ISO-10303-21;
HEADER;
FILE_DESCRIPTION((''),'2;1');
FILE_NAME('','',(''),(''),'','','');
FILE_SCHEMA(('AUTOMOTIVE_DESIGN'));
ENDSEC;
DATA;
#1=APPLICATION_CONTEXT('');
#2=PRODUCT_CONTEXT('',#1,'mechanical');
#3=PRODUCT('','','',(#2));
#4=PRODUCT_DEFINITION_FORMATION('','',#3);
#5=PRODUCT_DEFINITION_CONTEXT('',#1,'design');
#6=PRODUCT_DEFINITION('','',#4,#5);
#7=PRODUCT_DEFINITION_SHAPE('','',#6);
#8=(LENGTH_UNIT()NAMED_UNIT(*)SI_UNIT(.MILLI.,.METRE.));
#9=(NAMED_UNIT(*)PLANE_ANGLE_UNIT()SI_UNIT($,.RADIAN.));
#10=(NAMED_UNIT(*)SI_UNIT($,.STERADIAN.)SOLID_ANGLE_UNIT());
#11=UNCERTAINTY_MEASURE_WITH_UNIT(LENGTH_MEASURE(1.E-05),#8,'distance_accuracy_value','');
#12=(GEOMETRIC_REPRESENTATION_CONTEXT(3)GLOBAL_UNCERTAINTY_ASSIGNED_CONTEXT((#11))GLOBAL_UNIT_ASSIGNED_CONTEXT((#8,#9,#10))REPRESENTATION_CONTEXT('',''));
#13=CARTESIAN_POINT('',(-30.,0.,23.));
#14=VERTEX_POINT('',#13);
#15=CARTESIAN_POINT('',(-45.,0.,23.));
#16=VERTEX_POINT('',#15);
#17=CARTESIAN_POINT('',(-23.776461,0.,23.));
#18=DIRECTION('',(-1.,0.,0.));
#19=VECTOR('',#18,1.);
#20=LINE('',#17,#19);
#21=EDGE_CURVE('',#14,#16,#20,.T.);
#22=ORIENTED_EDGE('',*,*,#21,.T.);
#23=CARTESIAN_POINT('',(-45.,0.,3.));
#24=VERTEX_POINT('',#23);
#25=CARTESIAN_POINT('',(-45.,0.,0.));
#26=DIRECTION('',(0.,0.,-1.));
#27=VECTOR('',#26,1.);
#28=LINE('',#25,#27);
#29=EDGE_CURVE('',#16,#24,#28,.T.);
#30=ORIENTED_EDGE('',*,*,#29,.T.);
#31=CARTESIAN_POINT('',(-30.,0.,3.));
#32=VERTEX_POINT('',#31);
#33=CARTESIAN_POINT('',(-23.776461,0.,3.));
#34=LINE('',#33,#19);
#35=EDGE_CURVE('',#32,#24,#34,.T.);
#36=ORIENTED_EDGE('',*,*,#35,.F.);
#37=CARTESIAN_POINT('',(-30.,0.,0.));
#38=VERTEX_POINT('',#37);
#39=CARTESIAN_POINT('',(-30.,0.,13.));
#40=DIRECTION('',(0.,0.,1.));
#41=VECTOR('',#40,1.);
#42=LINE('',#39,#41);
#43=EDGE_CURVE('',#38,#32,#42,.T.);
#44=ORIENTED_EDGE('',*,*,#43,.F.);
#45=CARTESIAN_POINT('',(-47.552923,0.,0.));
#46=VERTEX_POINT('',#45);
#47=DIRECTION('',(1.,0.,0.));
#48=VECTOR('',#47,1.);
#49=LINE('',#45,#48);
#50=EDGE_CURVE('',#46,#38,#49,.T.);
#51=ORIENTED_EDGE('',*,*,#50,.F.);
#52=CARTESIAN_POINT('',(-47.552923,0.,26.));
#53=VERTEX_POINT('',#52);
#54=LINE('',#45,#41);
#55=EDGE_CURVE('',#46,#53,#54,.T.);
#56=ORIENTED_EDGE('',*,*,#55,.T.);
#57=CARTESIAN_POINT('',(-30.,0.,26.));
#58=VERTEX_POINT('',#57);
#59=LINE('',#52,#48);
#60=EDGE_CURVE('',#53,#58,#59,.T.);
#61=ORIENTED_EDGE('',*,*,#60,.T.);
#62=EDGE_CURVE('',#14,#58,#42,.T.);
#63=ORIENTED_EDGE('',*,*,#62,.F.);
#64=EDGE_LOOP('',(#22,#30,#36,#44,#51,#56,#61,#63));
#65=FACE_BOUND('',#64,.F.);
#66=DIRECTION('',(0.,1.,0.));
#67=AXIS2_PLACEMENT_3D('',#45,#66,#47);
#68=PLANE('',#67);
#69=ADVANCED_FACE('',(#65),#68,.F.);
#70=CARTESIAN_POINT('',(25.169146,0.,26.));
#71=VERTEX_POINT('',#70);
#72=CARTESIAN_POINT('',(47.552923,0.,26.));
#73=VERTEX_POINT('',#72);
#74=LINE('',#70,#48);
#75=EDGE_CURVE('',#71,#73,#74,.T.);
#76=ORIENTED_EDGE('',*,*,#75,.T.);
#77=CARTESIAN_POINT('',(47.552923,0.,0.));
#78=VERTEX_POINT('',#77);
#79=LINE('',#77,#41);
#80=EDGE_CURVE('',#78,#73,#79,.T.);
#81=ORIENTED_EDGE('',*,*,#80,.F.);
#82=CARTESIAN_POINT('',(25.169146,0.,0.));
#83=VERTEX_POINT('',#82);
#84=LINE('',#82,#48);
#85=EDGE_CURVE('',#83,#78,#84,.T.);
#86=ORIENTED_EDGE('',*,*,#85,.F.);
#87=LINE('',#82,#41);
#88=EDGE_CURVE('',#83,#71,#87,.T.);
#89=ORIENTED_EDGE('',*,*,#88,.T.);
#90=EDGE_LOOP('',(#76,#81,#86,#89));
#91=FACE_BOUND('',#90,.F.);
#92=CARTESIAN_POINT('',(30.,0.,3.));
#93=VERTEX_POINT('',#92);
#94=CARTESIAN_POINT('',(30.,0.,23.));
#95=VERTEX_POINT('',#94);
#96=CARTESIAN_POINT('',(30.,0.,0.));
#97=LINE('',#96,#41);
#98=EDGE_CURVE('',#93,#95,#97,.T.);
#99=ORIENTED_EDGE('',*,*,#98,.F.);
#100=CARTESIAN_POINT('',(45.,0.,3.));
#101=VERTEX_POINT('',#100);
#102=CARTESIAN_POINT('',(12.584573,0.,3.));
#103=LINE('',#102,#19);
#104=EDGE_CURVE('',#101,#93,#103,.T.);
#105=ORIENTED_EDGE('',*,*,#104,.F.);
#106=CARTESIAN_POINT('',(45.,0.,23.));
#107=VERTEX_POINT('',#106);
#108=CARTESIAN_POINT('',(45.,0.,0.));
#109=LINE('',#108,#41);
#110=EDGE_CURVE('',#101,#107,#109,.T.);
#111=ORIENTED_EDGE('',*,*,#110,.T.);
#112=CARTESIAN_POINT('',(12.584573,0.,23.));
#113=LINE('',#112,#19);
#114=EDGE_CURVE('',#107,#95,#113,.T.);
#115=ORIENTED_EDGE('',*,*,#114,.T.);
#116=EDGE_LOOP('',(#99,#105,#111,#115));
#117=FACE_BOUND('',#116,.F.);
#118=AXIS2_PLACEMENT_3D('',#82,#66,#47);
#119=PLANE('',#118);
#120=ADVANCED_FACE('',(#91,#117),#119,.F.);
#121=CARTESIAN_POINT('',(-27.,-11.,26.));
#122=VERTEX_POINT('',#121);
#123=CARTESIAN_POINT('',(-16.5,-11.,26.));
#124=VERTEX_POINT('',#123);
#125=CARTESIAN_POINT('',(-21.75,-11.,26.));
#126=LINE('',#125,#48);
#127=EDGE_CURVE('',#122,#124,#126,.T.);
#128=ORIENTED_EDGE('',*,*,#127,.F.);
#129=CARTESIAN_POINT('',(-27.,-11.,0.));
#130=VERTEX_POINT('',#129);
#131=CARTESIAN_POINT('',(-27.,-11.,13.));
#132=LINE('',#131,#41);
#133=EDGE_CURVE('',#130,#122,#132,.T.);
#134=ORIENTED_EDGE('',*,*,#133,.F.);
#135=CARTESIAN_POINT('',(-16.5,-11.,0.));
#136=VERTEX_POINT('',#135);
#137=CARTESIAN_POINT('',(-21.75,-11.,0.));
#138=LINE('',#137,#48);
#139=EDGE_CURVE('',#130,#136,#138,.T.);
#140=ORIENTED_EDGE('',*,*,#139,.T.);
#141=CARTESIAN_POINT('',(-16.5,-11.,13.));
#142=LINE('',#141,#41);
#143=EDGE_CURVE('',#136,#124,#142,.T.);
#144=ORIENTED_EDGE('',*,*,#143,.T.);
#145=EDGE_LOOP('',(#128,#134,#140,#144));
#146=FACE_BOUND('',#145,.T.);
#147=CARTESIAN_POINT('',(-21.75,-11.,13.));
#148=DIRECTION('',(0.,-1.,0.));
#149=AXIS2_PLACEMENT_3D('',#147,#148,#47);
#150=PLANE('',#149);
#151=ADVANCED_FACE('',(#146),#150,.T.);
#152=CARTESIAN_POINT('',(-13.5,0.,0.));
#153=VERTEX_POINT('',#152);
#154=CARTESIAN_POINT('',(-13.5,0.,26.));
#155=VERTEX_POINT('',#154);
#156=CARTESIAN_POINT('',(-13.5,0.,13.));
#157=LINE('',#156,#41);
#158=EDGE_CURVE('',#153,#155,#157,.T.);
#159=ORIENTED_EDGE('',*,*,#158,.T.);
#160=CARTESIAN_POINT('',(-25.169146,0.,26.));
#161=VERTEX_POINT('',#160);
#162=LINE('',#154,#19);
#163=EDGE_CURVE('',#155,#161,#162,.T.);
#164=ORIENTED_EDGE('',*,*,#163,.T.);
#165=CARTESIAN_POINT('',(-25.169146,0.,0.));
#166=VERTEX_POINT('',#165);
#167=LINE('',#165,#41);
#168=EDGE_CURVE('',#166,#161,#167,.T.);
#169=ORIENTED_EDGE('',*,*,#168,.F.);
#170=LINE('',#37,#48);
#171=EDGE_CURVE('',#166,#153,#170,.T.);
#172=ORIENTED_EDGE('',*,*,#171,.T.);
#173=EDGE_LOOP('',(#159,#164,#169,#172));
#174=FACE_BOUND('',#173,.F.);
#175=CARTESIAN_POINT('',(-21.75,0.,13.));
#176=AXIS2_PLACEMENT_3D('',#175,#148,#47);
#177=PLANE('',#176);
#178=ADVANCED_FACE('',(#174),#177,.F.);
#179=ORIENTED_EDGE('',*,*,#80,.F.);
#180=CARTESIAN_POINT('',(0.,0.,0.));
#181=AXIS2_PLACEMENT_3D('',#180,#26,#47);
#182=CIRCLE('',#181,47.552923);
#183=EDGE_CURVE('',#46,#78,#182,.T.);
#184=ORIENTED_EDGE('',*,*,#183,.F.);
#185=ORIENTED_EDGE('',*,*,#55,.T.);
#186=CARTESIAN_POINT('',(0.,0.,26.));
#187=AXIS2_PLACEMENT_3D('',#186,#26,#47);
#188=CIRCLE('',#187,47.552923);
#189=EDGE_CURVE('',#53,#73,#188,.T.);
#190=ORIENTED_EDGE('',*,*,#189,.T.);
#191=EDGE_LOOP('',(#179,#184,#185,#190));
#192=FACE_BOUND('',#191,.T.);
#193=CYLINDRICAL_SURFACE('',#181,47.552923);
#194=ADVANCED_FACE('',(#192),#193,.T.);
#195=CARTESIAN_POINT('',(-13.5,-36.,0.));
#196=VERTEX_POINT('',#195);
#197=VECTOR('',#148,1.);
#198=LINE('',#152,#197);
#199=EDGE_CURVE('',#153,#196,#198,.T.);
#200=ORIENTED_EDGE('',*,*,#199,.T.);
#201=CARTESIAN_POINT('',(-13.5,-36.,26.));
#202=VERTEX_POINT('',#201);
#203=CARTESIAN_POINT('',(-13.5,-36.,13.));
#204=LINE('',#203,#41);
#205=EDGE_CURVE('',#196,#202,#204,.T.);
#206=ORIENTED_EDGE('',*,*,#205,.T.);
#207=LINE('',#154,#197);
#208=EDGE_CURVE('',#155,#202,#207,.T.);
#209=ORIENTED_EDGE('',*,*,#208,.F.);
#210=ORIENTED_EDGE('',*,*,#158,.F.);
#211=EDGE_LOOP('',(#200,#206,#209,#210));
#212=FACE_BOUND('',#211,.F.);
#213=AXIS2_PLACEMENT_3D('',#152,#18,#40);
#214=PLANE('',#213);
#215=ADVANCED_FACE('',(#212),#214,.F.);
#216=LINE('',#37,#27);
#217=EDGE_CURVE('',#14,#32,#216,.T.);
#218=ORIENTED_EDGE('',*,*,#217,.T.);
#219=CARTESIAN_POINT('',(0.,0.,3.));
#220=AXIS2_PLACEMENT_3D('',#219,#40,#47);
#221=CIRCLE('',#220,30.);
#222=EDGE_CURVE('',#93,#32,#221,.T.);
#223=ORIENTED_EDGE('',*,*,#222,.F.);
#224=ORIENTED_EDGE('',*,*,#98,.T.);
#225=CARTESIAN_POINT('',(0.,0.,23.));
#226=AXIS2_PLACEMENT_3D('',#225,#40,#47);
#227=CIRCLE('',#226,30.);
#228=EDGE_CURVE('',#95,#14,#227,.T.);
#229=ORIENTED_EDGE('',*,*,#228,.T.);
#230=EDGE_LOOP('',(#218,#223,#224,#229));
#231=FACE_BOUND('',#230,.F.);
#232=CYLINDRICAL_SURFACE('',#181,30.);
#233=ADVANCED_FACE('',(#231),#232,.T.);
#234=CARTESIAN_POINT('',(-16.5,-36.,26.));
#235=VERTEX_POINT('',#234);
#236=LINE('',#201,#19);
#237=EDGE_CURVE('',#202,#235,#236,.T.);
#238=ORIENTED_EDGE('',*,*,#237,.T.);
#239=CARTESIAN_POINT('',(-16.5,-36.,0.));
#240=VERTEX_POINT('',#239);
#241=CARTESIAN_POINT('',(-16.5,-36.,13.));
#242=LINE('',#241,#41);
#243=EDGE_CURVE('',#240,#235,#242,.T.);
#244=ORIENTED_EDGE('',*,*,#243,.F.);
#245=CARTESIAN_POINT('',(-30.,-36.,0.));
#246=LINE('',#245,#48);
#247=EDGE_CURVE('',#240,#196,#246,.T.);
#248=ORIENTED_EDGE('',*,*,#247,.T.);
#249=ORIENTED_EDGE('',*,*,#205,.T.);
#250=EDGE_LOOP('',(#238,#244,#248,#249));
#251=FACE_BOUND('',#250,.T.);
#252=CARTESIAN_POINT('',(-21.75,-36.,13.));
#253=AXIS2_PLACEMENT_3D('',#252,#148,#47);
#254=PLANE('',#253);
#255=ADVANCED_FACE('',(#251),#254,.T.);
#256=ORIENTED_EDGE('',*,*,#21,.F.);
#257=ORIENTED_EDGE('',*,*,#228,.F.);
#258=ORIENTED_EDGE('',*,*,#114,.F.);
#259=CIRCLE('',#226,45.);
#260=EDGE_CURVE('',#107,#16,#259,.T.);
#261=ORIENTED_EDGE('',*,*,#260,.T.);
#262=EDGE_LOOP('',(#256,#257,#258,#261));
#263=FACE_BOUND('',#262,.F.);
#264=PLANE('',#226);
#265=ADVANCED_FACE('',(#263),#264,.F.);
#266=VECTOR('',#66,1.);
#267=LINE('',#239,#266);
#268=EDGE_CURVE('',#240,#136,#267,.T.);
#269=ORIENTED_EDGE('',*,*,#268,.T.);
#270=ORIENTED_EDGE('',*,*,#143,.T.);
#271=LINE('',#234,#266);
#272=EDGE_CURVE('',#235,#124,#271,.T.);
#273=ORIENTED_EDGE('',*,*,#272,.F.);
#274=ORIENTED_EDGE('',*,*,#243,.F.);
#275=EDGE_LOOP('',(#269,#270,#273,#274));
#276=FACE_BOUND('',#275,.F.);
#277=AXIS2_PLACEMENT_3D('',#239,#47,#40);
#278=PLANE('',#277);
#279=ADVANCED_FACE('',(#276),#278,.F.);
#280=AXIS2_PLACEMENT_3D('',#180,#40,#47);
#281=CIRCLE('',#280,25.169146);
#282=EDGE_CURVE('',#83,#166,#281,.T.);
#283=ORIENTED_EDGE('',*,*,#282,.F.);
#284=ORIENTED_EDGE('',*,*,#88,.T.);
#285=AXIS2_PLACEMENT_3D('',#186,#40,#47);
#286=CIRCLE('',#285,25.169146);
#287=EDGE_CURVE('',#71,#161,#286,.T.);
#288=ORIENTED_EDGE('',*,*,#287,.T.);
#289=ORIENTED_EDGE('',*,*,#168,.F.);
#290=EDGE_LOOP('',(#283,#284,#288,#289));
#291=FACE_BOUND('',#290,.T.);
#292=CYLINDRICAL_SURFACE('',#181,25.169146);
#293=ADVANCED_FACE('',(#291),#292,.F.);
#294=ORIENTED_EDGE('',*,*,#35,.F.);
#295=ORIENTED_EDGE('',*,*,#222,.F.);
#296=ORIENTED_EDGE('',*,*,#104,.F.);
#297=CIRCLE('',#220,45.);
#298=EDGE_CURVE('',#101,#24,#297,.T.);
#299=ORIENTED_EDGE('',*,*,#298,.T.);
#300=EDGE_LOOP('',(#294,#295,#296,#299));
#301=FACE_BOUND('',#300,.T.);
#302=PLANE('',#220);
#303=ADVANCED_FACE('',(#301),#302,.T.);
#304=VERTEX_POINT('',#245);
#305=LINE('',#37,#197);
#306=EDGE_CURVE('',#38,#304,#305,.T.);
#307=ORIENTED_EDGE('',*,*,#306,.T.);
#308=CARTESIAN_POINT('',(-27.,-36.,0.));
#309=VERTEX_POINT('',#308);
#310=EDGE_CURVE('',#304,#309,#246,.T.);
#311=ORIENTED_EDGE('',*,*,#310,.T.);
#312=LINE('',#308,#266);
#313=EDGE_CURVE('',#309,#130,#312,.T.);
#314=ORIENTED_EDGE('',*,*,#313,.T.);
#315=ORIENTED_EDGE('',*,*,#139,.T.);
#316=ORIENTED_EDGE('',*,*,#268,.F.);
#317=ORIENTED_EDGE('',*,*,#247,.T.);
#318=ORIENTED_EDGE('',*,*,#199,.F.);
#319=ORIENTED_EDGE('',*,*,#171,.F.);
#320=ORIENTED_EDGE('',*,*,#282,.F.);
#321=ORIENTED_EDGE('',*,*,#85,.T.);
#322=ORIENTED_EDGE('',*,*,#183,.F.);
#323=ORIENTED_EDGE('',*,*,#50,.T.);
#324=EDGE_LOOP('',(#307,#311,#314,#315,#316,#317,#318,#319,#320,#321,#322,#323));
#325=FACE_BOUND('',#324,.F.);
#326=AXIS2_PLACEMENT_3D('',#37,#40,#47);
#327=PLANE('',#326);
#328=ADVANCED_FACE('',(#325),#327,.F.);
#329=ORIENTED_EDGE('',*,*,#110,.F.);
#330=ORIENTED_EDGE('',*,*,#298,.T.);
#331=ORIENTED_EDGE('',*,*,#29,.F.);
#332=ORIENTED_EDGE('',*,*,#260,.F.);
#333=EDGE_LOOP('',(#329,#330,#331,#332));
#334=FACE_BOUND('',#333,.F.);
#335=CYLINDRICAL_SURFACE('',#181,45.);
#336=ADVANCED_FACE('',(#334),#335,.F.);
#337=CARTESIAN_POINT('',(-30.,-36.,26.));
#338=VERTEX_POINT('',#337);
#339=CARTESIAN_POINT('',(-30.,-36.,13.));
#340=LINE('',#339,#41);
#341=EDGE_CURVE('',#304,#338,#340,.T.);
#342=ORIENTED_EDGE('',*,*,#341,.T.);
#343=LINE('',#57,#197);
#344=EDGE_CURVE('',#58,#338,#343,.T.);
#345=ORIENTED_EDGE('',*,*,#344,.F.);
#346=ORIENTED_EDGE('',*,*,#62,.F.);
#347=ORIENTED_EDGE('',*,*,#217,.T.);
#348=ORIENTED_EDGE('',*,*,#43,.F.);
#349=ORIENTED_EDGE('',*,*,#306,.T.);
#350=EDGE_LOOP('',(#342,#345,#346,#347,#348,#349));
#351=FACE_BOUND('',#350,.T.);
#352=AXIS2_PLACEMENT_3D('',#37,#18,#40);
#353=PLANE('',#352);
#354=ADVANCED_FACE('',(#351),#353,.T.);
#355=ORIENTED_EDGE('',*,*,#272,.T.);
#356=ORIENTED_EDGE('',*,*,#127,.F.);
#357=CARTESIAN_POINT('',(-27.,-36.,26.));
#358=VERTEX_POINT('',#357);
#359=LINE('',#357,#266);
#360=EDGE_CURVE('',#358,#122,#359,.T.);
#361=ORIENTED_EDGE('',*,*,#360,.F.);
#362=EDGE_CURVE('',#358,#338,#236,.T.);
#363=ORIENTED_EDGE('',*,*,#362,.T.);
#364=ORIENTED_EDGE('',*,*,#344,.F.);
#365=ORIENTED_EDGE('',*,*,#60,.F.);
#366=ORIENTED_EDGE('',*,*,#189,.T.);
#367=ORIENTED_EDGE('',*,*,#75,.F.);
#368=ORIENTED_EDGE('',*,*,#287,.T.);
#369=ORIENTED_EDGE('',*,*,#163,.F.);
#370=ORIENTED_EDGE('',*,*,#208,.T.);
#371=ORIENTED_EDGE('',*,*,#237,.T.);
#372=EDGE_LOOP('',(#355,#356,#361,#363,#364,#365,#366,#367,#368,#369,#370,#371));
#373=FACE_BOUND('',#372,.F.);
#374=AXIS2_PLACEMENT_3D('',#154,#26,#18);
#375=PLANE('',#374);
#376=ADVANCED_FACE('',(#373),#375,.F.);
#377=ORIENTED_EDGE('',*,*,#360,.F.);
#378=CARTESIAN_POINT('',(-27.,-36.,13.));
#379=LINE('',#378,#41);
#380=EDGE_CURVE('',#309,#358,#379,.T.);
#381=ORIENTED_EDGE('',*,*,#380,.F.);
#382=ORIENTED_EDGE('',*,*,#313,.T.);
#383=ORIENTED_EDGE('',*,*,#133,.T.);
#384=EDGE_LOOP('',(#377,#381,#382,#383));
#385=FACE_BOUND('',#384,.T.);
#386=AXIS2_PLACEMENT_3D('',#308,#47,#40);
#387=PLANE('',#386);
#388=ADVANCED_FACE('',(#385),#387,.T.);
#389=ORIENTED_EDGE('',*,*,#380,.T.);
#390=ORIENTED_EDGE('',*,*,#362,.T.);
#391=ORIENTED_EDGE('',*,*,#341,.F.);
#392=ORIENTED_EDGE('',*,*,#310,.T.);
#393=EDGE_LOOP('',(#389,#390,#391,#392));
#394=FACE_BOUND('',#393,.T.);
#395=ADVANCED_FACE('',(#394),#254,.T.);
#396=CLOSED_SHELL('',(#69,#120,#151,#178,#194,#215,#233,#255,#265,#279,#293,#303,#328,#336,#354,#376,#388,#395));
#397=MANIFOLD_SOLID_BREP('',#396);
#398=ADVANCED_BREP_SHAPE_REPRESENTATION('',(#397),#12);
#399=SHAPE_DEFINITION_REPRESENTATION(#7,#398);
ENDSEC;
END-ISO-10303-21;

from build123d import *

# Parameters (mm, degrees)
F0_R      = 30
F0_R_2    = 25.169146
F1_DEPTH  = 26
F0_R_3    = 45
F2_DEPTH  = 3
F3_R      = 45
F3_R_2    = 30
F4_DEPTH  = 3
F5_R      = 47.552923
F5_R_2    = 45
F6_DEPTH  = 26
F8_DEPTH  = 26
F9_W      = 10.5
F9_H      = 26
F9_W_2    = 3
F10_DEPTH = 36
F11_W     = 10.5
F11_H     = 26
F12_DEPTH = 25


with BuildPart() as f1:
    # F0 (on Top) → F1 (new body)
    with BuildSketch(Plane.XY):
        Circle(F0_R)
        Circle(F0_R_2, mode=Mode.SUBTRACT)
    extrude(amount=F1_DEPTH)

    # F0 (on Top) → F2 (join)
    with BuildSketch(Plane.XY):
        Circle(F0_R_3)
        Circle(F0_R, mode=Mode.SUBTRACT)
    extrude(amount=F2_DEPTH)

    # F3 (on face) → F4 (join)
    with BuildSketch(Plane.XY.offset(26)):
        Circle(F3_R)
        Circle(F3_R_2, mode=Mode.SUBTRACT)
    extrude(amount=-F4_DEPTH)

    # F5 (on face) → F6 (join)
    with BuildSketch(Plane(origin=(0, 0, 0), x_dir=(1, 0, 0), z_dir=(0, 0, -1))):
        Circle(F5_R)
        Circle(F5_R_2, mode=Mode.SUBTRACT)
    extrude(amount=-F6_DEPTH)

    # F7 (on face) → F8 (cut)
    with BuildSketch(Plane(origin=(0, 0, 0), x_dir=(1, 0, 0), z_dir=(0, 0, -1))):
        with BuildLine():
            Line((25.169146, 0), (47.552923, 0))
            ThreePointArc((47.552923, 0), (0, 47.552923), (-47.552923, 0))
            Line((-47.552923, 0), (-25.169146, 0))
            ThreePointArc((-25.169146, 0), (0, 25.169146), (25.169146, 0))
        make_face()
    extrude(amount=-F8_DEPTH, mode=Mode.SUBTRACT)

    # F9 (on face) → F10 (join)
    with BuildSketch(Plane.XZ):
        with Locations((-21.75, 13)):
            Rectangle(F9_W, F9_H)
        with Locations((-15, 13)):
            Rectangle(F9_W_2, F9_H)
        with Locations((-28.5, 13)):
            Rectangle(F9_W_2, F9_H)
    extrude(amount=F10_DEPTH)

    # F11 (on face) → F12 (cut)
    with BuildSketch(Plane.XZ.offset(36)):
        with Locations((-21.75, 13)):
            Rectangle(F11_W, F11_H)
    extrude(amount=-F12_DEPTH, mode=Mode.SUBTRACT)


solid = f1.part
